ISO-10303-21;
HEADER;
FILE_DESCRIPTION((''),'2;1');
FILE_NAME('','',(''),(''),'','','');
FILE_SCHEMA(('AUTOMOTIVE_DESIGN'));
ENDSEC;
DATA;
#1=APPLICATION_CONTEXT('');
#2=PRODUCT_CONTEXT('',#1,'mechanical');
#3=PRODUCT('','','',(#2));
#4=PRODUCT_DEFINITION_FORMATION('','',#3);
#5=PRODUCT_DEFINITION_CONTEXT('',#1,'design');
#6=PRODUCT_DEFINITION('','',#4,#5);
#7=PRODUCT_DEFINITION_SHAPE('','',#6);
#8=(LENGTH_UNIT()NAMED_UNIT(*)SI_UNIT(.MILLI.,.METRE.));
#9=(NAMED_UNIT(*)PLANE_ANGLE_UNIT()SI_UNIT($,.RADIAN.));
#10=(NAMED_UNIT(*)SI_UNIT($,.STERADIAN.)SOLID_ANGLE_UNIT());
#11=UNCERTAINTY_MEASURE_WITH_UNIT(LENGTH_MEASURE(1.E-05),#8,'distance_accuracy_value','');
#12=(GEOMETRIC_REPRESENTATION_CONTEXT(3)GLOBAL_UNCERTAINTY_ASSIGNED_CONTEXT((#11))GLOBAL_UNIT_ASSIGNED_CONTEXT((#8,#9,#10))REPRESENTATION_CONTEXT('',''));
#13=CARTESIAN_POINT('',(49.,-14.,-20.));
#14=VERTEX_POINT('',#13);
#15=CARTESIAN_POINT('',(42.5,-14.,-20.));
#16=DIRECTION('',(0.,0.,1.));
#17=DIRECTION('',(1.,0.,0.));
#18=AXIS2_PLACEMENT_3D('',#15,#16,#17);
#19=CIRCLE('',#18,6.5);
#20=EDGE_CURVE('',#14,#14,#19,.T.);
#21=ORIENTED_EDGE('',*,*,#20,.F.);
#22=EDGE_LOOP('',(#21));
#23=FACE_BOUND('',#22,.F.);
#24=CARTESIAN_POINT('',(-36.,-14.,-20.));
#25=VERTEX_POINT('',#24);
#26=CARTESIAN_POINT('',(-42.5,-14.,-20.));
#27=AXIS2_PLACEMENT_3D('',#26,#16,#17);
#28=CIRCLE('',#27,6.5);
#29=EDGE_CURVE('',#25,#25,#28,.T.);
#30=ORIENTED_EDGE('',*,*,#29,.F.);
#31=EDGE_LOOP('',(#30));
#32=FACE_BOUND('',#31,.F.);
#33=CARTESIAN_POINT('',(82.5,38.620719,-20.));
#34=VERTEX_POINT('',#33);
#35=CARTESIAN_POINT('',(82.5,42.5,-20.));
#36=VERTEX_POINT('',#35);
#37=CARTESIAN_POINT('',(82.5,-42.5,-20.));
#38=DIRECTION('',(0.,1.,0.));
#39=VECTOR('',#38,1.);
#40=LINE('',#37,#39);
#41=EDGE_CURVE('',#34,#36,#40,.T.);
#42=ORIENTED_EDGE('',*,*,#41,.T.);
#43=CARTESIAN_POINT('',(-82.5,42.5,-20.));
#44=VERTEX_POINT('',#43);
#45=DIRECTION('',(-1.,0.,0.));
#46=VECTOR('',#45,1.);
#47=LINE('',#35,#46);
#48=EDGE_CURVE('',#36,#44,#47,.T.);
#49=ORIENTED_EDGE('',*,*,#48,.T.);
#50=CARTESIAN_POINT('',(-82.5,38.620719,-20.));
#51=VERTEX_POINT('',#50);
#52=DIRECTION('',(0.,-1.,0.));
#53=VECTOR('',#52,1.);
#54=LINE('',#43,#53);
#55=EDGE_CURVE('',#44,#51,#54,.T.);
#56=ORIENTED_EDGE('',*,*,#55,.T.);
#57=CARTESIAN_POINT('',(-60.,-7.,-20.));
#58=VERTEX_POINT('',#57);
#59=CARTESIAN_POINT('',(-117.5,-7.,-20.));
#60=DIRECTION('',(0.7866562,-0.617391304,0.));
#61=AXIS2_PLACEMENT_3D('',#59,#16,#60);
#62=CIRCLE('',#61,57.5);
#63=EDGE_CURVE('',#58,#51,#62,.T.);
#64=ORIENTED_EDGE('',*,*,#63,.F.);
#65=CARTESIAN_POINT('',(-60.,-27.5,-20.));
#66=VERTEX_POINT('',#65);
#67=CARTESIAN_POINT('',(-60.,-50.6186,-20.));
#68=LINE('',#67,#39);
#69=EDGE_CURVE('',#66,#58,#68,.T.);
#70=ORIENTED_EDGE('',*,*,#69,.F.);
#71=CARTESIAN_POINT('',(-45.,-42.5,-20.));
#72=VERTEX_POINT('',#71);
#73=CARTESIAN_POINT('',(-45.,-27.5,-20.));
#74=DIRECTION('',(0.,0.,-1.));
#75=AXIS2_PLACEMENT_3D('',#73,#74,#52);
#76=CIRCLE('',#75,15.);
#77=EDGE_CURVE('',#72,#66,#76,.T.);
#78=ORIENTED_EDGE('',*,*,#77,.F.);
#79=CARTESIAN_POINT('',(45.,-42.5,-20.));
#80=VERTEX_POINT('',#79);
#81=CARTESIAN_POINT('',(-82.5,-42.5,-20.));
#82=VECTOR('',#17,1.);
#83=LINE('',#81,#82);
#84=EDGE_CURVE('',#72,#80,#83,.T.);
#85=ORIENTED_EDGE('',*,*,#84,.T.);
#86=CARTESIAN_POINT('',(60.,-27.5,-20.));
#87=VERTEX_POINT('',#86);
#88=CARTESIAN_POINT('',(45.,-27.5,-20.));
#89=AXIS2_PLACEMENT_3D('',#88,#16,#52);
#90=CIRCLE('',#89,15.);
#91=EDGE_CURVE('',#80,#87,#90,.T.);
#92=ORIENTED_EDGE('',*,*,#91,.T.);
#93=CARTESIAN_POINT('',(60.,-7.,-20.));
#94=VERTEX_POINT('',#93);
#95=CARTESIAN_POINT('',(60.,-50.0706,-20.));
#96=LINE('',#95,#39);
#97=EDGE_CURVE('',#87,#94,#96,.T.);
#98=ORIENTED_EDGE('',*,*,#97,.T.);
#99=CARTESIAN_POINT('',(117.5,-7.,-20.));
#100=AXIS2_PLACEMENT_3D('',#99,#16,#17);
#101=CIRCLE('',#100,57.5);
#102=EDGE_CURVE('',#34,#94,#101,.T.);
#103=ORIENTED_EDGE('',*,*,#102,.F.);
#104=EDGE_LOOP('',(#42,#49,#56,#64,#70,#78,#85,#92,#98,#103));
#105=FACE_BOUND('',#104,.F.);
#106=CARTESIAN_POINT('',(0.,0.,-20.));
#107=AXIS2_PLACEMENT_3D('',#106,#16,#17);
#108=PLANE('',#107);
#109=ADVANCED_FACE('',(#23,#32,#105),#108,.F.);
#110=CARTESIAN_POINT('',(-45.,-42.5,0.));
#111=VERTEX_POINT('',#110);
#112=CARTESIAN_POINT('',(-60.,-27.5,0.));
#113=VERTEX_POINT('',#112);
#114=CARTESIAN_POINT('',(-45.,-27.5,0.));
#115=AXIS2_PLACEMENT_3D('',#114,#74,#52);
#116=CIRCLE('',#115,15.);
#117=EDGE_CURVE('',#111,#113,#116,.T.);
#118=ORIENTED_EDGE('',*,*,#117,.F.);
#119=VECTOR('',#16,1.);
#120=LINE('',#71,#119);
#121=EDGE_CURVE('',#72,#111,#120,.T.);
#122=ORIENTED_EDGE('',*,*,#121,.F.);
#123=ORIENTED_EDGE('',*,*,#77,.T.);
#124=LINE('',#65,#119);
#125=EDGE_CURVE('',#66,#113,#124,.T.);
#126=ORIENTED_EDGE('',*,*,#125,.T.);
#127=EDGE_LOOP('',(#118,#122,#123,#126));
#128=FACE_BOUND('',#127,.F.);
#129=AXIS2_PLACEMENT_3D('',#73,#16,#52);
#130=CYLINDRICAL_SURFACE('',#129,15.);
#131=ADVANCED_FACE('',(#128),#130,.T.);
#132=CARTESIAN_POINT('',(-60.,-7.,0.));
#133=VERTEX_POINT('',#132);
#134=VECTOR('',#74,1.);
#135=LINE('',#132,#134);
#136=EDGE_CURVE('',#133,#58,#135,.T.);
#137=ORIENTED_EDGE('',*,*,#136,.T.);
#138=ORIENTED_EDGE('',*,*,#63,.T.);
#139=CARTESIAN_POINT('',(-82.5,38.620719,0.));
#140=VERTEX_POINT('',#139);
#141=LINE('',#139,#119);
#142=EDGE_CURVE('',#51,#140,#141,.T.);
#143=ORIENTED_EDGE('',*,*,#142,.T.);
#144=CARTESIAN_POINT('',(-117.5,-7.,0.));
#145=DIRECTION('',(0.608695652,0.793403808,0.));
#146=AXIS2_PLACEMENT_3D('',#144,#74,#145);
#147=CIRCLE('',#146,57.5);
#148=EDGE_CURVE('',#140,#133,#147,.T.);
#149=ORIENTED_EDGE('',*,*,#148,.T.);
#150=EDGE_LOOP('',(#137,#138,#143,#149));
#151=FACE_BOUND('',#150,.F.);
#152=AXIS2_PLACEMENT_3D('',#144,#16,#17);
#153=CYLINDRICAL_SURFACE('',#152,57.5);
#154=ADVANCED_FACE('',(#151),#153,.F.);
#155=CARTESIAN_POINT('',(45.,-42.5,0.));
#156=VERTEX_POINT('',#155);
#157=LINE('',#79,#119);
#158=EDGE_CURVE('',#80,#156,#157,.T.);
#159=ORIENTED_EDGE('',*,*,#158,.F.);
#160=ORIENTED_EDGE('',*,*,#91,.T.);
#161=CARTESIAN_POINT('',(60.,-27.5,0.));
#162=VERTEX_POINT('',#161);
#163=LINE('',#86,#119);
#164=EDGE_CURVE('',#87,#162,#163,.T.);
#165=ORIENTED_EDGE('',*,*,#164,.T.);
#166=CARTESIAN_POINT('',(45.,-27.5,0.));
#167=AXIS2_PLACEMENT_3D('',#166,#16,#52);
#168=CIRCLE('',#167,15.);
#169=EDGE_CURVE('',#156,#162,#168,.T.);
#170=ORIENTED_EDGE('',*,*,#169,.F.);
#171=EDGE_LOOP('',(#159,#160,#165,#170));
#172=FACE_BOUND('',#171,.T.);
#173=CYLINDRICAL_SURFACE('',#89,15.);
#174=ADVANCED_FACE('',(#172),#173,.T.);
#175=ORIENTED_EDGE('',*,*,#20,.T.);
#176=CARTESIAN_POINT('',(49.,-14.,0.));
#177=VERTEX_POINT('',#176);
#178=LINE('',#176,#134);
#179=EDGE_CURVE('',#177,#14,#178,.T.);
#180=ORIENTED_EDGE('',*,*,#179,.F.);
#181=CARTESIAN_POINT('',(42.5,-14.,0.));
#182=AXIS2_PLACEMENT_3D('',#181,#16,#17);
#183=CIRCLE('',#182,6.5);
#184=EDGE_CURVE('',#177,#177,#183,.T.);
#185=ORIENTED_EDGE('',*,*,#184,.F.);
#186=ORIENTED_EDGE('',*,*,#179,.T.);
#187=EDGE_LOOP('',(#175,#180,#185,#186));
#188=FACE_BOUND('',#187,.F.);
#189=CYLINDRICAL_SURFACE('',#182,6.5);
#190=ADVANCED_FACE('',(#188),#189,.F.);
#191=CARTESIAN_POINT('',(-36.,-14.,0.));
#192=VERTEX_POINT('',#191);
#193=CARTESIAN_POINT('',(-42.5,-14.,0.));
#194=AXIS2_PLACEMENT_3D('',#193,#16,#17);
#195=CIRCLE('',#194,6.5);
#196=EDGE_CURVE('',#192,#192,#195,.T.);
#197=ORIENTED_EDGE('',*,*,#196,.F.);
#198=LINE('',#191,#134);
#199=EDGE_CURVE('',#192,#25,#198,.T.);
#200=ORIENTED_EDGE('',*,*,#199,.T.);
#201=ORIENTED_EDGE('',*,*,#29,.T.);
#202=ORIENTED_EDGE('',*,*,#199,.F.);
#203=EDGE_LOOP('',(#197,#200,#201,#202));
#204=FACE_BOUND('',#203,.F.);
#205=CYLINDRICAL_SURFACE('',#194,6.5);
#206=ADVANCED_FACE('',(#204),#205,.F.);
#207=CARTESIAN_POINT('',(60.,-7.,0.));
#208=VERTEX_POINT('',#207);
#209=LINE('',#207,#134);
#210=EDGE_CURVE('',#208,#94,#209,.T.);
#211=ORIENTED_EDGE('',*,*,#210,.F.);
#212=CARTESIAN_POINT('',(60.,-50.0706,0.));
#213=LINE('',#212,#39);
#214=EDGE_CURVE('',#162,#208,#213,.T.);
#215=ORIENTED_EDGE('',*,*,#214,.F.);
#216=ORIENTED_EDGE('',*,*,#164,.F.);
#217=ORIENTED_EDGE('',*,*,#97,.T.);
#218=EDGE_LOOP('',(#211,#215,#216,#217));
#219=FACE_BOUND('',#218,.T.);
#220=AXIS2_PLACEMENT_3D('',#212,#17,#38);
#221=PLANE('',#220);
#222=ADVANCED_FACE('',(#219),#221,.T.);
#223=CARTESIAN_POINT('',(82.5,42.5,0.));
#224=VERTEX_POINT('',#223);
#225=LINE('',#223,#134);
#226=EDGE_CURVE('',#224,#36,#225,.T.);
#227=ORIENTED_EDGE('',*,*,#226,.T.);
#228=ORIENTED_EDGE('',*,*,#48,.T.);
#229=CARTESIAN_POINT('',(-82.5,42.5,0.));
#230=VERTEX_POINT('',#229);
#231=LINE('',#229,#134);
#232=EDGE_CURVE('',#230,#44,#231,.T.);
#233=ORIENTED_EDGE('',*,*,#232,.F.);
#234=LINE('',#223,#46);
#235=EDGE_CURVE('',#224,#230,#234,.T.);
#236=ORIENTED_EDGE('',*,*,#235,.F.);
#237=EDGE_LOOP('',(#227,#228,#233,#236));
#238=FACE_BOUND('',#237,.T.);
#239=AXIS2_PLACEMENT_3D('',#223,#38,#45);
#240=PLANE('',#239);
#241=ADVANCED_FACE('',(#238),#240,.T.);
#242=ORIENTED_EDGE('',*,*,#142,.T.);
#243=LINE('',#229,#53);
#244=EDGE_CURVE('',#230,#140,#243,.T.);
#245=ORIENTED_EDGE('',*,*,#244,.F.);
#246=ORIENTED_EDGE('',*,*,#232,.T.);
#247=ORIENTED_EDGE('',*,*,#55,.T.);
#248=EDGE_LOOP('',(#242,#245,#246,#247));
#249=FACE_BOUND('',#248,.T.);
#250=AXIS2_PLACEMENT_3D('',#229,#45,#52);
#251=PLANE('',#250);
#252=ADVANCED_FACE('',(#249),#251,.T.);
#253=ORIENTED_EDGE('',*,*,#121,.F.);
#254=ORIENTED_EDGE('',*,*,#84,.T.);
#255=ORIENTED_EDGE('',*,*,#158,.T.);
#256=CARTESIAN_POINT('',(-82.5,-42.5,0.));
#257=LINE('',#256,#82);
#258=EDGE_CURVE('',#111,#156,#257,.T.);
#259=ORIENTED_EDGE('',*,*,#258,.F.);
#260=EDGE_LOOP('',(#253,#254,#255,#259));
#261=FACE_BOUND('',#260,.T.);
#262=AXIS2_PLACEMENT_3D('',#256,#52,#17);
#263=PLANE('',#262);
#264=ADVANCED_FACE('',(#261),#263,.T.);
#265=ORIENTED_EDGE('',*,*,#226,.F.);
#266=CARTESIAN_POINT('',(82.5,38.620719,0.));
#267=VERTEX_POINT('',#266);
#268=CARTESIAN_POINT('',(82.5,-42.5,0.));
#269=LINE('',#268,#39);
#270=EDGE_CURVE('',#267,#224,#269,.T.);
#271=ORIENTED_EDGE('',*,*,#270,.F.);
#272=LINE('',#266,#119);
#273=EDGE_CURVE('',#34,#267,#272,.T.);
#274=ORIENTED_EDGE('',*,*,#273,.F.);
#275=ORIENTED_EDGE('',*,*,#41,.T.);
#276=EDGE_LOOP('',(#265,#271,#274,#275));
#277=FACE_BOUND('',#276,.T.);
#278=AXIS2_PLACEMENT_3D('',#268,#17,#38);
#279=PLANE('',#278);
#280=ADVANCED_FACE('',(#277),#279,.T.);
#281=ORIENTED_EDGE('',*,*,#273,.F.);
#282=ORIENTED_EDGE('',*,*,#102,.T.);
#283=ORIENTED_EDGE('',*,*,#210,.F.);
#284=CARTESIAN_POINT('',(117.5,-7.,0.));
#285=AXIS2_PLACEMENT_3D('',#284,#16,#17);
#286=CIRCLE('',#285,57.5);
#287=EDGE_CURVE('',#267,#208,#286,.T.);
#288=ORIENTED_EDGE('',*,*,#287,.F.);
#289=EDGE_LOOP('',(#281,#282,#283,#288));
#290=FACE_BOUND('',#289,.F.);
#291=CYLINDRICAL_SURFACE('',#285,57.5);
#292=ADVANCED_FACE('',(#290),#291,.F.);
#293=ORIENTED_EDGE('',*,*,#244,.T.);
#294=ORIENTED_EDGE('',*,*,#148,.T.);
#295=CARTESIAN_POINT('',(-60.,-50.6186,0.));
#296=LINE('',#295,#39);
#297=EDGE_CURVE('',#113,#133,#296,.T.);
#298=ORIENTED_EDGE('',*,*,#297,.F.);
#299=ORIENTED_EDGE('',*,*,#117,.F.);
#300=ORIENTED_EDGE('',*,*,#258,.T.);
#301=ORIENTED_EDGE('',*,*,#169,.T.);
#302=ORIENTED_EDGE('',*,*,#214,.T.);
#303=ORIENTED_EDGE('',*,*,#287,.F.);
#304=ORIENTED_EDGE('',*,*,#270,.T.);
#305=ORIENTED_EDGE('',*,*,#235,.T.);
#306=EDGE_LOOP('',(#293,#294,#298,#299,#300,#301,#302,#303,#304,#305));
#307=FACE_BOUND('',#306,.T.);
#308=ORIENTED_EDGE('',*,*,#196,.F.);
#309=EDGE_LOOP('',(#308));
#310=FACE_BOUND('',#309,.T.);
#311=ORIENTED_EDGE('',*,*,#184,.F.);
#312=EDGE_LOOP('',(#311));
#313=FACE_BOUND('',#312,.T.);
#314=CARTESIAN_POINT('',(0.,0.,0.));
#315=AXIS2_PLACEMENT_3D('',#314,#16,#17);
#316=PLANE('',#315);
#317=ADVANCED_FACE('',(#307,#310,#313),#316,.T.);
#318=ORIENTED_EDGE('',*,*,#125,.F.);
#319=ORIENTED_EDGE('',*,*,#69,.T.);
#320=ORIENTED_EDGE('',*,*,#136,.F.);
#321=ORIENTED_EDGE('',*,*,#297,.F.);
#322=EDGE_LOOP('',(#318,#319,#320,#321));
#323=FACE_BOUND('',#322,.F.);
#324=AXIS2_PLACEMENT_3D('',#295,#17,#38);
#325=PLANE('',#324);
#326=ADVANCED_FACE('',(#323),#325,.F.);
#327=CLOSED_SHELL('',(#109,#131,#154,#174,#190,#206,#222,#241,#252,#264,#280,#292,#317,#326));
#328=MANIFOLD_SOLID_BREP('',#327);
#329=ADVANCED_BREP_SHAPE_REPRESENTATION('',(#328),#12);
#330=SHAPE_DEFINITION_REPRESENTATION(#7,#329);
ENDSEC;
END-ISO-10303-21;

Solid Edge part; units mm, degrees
sketch "Sketch1" plane through (0, 0, 0) normal (0, 0, 1) x (1, 0, 0)
  line L0 (-82.5, -42.5) -> (82.5, -42.5)
  line L1 (82.5, -42.5) -> (82.5, 42.5)
  line L2 (82.5, 42.5) -> (-82.5, 42.5)
  line L3 (-82.5, 42.5) -> (-82.5, -42.5)
extrude "Protrusion1" add sketch "Sketch1" against normal blind 20
sketch "Sketch2" plane through (0, 0, 0) normal (0, 0, 1) x (1, 0, 0)
  circle A0 centre (-42.5, -14) radius 6.5
  circle A1 centre (-117.5, -7) radius 57.5
extrude "ExtrudedCutout_1" cut sketch "Sketch2" against normal blind 20
sketch "Sketch3" plane through (0, 0, 0) normal (0, 0, 1) x (1, 0, 0)
  circle A0 centre (117.5, -7) radius 57.5
  circle A1 centre (42.5, -14) radius 6.5
extrude "ExtrudedCutout_2" cut sketch "Sketch3" against normal blind 20
sketch "Sketch4" plane through (0, 0, 0) normal (0, 0, 1) x (1, 0, 0)
  line L0 (60, -7) -> (82.5, -7)
  line L1 (82.5, -7) -> (82.5, -50.0706)
  line L2 (82.5, -50.0706) -> (60, -50.0706)
  line L3 (60, -50.0706) -> (60, -7)
  line L4 (-60, -7) -> (-88.75, -7)
  line L5 (-88.75, -7) -> (-88.75, -50.6186)
  line L6 (-88.75, -50.6186) -> (-60, -50.6186)
  line L7 (-60, -50.6186) -> (-60, -7)
extrude "ExtrudedCutout_3" cut sketch "Sketch4" against normal blind 20
fillet "Round_2" radius 15 2 edges at (60, -42.5, -10) (-60, -42.5, -10)
